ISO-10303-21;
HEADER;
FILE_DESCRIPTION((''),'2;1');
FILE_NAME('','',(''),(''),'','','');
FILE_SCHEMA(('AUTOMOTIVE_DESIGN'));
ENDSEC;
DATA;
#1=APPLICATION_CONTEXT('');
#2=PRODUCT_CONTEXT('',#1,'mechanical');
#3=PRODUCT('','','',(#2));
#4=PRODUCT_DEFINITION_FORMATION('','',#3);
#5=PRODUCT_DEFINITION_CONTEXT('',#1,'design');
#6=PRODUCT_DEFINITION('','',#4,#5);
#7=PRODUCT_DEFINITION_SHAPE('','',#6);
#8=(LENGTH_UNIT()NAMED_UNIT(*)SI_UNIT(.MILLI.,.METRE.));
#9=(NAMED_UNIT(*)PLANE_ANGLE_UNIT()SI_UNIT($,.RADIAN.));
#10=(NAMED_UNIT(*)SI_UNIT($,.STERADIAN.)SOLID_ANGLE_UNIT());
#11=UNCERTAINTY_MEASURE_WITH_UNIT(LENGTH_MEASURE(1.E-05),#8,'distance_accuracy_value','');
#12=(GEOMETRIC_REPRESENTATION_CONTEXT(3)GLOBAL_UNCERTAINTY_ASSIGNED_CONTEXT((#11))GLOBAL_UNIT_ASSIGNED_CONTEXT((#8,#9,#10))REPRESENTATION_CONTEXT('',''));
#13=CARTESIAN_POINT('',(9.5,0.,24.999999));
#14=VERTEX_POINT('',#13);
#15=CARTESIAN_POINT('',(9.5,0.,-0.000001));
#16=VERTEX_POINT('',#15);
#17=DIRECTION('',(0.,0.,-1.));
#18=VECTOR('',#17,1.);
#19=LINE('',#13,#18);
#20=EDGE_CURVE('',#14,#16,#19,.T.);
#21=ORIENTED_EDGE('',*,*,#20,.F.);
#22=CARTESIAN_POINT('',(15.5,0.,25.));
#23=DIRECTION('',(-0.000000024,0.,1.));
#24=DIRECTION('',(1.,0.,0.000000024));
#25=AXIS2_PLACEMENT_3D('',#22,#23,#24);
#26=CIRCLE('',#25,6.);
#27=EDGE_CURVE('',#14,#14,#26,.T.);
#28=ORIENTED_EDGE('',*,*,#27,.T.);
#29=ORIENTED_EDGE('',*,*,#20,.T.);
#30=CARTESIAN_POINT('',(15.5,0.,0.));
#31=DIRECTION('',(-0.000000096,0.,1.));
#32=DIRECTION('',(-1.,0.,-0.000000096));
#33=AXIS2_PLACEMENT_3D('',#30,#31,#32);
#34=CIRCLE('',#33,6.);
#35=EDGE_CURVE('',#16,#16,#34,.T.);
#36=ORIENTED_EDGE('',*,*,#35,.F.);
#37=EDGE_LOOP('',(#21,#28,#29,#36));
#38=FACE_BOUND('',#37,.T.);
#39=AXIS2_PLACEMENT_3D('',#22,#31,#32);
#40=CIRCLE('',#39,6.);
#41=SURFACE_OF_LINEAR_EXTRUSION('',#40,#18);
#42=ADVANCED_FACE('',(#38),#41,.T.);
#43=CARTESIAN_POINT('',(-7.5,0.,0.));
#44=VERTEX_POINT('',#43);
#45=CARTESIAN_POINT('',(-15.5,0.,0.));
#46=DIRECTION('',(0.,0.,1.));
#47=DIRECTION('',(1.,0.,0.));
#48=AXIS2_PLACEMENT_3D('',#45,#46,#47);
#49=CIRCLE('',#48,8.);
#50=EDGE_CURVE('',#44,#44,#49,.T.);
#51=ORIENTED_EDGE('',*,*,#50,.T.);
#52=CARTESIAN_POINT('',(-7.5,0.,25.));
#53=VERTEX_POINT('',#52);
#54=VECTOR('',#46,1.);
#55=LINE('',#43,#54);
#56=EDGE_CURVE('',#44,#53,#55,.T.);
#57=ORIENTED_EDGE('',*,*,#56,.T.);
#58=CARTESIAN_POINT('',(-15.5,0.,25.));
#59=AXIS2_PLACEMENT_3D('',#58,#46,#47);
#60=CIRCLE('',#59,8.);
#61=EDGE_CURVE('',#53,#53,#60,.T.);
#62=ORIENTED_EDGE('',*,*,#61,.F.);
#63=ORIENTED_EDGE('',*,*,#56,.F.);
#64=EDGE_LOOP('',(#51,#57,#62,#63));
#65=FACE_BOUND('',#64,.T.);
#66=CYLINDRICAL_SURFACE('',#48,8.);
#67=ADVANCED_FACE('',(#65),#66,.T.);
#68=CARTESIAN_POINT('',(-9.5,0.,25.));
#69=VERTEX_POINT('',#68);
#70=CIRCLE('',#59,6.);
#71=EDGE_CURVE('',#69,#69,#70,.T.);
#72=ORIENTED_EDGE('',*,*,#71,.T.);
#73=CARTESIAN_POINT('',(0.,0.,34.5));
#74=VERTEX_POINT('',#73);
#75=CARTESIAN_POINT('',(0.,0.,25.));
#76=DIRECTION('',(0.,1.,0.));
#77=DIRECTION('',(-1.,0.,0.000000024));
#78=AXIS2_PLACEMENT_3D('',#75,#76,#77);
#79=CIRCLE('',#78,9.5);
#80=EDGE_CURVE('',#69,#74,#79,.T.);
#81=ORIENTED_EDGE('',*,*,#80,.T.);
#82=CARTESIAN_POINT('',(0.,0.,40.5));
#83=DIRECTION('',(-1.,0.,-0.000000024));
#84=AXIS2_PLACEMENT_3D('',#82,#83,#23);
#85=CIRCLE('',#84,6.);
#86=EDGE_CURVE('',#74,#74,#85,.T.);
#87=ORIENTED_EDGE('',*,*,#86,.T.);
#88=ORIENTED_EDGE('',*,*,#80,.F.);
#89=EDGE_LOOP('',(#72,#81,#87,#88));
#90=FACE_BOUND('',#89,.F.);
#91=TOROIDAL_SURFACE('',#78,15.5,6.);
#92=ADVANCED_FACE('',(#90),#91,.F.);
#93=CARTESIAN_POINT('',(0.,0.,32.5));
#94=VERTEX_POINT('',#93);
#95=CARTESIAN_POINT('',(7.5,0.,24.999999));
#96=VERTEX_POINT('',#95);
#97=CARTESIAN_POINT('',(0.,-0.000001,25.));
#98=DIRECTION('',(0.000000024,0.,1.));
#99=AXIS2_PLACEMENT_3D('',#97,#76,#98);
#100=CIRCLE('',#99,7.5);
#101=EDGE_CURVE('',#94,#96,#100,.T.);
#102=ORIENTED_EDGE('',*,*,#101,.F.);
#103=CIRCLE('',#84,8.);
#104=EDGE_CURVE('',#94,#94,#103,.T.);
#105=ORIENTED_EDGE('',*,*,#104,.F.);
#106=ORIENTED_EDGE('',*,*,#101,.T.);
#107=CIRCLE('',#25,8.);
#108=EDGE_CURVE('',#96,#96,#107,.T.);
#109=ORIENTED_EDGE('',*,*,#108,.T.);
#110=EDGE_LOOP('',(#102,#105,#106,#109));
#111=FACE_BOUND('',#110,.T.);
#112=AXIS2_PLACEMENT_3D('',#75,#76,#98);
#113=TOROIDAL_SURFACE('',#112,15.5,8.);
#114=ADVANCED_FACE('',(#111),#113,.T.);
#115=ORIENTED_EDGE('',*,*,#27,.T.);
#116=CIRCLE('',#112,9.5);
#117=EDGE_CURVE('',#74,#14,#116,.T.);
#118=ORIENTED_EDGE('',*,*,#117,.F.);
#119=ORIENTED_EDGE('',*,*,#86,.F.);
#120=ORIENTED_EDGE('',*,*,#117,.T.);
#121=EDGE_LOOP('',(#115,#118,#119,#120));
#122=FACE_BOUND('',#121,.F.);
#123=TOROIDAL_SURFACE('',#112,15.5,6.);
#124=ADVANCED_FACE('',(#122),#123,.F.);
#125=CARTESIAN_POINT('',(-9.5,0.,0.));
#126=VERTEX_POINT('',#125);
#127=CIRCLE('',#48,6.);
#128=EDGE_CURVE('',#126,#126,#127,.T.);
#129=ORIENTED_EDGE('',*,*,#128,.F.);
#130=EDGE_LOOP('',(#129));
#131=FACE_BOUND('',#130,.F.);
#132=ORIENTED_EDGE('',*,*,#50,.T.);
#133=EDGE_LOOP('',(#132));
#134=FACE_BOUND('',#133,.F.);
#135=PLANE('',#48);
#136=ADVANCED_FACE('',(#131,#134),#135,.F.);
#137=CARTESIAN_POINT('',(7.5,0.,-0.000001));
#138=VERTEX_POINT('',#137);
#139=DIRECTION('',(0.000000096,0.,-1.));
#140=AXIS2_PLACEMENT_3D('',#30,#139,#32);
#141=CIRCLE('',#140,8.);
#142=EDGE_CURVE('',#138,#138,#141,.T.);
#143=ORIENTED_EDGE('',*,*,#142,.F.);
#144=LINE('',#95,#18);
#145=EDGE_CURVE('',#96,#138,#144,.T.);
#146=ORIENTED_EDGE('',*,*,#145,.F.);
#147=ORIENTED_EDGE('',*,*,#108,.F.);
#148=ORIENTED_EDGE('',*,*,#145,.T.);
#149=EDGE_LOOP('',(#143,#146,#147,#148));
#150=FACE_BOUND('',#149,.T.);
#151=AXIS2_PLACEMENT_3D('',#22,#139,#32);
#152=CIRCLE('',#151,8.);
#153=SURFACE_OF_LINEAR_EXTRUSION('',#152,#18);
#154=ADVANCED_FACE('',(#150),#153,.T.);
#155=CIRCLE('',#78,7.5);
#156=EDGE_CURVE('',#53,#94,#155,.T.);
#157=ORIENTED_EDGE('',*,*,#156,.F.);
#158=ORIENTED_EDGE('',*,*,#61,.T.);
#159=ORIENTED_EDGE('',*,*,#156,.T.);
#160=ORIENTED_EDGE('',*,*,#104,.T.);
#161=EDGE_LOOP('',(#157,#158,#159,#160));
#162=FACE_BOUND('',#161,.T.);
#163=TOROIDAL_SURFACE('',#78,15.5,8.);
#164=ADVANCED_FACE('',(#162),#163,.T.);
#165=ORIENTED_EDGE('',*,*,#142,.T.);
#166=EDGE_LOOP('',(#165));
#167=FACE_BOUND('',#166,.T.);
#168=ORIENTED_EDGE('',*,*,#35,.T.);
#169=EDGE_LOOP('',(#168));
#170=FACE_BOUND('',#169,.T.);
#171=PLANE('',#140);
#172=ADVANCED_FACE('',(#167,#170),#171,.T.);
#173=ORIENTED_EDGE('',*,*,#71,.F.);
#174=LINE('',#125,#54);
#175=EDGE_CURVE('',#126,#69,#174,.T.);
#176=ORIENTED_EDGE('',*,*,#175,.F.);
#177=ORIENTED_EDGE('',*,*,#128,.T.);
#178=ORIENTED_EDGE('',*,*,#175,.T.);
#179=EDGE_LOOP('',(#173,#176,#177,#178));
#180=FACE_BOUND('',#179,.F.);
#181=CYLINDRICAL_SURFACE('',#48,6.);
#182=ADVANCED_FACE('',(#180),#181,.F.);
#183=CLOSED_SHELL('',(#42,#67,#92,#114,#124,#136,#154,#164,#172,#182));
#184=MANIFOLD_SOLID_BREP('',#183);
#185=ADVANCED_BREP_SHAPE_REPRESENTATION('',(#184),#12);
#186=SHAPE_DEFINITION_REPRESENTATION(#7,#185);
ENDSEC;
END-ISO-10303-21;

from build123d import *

# Parameters (mm, degrees)
F1_R   = 8
F1_R_2 = 6


with BuildPart() as f2:
    # F2: sweep along a path in F0
    with BuildLine(Plane.XZ) as f2_path:
        Line((-15.5, 0), (-15.5, 25))
        ThreePointArc((-15.5, 25), (-10.960155, 35.960155), (0, 40.5))
        ThreePointArc((0, 40.5), (10.960155, 35.960155), (15.5, 25))
        Line((15.5, 25), (15.5, 0))
    # F1 (on Top) → F2 (sweep)
    with BuildSketch(Plane.XY):
        with Locations((-15.5, 0)):
            Circle(F1_R)
        with Locations((-15.5, 0)):
            Circle(F1_R_2, mode=Mode.SUBTRACT)
    sweep(path=f2_path.line)


solid = f2.part
